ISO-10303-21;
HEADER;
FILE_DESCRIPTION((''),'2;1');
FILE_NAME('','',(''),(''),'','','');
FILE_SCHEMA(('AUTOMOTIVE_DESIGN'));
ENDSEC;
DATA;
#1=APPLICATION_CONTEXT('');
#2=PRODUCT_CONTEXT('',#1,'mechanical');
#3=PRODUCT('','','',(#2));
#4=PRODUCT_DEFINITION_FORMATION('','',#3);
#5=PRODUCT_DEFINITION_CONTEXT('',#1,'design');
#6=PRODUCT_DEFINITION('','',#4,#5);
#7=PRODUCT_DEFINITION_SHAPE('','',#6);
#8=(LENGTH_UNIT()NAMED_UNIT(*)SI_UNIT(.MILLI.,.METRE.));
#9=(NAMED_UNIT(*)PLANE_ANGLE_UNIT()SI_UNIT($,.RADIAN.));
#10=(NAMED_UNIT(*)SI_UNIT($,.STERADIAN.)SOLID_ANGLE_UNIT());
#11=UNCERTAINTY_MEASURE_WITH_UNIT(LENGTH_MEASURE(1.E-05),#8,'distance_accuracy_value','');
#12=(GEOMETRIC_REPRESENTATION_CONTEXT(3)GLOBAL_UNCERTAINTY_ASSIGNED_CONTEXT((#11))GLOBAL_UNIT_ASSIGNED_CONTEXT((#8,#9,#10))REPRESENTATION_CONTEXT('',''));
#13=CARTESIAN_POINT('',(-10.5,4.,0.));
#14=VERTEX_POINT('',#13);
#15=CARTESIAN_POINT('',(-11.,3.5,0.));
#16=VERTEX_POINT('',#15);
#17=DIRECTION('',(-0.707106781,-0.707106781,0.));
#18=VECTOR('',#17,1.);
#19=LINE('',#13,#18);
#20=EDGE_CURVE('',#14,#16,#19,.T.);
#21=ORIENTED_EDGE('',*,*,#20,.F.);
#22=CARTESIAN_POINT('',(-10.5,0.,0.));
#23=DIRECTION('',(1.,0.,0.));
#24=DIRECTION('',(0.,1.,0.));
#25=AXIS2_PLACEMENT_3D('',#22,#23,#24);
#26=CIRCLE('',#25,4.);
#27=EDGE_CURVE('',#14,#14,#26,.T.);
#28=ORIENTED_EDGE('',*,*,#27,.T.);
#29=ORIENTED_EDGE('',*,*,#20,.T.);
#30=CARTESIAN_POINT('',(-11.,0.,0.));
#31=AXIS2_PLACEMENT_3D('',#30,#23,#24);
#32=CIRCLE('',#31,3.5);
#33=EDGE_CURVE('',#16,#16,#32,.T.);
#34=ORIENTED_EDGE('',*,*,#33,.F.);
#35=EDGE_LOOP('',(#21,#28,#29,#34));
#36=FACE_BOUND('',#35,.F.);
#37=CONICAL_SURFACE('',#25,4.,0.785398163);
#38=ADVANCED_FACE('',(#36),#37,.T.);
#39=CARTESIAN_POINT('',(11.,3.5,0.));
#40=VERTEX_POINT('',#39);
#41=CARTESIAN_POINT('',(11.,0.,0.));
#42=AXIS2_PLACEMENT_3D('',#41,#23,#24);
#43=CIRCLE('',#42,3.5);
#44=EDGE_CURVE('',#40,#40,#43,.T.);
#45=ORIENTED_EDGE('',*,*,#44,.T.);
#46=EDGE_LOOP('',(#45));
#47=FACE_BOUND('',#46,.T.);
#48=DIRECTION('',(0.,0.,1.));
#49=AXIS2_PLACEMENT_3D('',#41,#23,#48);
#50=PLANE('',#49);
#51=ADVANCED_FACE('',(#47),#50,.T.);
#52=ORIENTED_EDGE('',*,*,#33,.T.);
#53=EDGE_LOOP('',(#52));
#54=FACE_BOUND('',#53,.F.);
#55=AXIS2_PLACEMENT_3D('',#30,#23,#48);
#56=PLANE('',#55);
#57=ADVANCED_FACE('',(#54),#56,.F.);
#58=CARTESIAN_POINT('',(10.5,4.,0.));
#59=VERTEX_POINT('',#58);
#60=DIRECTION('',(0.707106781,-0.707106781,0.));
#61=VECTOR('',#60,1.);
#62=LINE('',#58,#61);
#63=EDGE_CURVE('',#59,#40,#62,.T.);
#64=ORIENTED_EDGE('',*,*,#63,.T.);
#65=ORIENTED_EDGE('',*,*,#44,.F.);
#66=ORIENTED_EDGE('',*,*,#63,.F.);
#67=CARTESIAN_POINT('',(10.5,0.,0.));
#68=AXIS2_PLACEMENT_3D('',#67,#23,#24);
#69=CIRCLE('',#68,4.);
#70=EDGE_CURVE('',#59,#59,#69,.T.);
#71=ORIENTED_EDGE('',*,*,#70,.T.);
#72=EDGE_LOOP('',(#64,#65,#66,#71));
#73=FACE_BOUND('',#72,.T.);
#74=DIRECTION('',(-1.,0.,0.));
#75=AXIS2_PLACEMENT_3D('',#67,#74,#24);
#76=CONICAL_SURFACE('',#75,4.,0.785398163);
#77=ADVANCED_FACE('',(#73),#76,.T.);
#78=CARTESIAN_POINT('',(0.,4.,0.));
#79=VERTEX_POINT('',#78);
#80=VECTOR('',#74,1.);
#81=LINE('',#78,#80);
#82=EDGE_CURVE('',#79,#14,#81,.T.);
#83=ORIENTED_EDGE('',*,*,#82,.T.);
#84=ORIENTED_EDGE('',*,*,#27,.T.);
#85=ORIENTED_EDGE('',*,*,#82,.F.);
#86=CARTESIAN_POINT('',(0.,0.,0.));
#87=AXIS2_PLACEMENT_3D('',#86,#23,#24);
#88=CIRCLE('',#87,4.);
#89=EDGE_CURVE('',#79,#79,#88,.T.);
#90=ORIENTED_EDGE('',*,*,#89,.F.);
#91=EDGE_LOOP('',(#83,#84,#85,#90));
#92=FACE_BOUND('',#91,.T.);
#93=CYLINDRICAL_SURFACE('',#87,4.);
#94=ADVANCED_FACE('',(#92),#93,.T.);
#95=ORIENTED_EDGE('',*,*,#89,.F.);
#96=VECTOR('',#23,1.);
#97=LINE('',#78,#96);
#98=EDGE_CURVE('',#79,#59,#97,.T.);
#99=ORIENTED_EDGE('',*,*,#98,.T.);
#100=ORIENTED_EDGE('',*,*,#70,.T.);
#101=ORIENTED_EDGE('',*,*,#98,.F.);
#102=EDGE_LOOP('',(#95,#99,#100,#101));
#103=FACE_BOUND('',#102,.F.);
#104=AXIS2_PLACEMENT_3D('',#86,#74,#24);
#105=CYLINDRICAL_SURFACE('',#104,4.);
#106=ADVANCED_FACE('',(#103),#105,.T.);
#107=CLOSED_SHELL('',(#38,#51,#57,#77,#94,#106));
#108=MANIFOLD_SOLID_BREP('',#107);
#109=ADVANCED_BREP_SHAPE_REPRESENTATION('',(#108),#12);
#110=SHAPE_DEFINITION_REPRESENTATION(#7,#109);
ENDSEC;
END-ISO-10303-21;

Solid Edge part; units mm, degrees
sketch "Sketch1" plane through (0, 0, 0) normal (1, 0, 0) x (0, 1, 0)
  circle A0 centre (0, 0) radius 4
extrude "Protrusion1" add sketch "Sketch1" along normal mid plane 22
chamfer "Chamfer_1" distance 0.5 angle 45 2 edges at (11, -4, 0) (-11, -4, 0)
properties material "PVC"
